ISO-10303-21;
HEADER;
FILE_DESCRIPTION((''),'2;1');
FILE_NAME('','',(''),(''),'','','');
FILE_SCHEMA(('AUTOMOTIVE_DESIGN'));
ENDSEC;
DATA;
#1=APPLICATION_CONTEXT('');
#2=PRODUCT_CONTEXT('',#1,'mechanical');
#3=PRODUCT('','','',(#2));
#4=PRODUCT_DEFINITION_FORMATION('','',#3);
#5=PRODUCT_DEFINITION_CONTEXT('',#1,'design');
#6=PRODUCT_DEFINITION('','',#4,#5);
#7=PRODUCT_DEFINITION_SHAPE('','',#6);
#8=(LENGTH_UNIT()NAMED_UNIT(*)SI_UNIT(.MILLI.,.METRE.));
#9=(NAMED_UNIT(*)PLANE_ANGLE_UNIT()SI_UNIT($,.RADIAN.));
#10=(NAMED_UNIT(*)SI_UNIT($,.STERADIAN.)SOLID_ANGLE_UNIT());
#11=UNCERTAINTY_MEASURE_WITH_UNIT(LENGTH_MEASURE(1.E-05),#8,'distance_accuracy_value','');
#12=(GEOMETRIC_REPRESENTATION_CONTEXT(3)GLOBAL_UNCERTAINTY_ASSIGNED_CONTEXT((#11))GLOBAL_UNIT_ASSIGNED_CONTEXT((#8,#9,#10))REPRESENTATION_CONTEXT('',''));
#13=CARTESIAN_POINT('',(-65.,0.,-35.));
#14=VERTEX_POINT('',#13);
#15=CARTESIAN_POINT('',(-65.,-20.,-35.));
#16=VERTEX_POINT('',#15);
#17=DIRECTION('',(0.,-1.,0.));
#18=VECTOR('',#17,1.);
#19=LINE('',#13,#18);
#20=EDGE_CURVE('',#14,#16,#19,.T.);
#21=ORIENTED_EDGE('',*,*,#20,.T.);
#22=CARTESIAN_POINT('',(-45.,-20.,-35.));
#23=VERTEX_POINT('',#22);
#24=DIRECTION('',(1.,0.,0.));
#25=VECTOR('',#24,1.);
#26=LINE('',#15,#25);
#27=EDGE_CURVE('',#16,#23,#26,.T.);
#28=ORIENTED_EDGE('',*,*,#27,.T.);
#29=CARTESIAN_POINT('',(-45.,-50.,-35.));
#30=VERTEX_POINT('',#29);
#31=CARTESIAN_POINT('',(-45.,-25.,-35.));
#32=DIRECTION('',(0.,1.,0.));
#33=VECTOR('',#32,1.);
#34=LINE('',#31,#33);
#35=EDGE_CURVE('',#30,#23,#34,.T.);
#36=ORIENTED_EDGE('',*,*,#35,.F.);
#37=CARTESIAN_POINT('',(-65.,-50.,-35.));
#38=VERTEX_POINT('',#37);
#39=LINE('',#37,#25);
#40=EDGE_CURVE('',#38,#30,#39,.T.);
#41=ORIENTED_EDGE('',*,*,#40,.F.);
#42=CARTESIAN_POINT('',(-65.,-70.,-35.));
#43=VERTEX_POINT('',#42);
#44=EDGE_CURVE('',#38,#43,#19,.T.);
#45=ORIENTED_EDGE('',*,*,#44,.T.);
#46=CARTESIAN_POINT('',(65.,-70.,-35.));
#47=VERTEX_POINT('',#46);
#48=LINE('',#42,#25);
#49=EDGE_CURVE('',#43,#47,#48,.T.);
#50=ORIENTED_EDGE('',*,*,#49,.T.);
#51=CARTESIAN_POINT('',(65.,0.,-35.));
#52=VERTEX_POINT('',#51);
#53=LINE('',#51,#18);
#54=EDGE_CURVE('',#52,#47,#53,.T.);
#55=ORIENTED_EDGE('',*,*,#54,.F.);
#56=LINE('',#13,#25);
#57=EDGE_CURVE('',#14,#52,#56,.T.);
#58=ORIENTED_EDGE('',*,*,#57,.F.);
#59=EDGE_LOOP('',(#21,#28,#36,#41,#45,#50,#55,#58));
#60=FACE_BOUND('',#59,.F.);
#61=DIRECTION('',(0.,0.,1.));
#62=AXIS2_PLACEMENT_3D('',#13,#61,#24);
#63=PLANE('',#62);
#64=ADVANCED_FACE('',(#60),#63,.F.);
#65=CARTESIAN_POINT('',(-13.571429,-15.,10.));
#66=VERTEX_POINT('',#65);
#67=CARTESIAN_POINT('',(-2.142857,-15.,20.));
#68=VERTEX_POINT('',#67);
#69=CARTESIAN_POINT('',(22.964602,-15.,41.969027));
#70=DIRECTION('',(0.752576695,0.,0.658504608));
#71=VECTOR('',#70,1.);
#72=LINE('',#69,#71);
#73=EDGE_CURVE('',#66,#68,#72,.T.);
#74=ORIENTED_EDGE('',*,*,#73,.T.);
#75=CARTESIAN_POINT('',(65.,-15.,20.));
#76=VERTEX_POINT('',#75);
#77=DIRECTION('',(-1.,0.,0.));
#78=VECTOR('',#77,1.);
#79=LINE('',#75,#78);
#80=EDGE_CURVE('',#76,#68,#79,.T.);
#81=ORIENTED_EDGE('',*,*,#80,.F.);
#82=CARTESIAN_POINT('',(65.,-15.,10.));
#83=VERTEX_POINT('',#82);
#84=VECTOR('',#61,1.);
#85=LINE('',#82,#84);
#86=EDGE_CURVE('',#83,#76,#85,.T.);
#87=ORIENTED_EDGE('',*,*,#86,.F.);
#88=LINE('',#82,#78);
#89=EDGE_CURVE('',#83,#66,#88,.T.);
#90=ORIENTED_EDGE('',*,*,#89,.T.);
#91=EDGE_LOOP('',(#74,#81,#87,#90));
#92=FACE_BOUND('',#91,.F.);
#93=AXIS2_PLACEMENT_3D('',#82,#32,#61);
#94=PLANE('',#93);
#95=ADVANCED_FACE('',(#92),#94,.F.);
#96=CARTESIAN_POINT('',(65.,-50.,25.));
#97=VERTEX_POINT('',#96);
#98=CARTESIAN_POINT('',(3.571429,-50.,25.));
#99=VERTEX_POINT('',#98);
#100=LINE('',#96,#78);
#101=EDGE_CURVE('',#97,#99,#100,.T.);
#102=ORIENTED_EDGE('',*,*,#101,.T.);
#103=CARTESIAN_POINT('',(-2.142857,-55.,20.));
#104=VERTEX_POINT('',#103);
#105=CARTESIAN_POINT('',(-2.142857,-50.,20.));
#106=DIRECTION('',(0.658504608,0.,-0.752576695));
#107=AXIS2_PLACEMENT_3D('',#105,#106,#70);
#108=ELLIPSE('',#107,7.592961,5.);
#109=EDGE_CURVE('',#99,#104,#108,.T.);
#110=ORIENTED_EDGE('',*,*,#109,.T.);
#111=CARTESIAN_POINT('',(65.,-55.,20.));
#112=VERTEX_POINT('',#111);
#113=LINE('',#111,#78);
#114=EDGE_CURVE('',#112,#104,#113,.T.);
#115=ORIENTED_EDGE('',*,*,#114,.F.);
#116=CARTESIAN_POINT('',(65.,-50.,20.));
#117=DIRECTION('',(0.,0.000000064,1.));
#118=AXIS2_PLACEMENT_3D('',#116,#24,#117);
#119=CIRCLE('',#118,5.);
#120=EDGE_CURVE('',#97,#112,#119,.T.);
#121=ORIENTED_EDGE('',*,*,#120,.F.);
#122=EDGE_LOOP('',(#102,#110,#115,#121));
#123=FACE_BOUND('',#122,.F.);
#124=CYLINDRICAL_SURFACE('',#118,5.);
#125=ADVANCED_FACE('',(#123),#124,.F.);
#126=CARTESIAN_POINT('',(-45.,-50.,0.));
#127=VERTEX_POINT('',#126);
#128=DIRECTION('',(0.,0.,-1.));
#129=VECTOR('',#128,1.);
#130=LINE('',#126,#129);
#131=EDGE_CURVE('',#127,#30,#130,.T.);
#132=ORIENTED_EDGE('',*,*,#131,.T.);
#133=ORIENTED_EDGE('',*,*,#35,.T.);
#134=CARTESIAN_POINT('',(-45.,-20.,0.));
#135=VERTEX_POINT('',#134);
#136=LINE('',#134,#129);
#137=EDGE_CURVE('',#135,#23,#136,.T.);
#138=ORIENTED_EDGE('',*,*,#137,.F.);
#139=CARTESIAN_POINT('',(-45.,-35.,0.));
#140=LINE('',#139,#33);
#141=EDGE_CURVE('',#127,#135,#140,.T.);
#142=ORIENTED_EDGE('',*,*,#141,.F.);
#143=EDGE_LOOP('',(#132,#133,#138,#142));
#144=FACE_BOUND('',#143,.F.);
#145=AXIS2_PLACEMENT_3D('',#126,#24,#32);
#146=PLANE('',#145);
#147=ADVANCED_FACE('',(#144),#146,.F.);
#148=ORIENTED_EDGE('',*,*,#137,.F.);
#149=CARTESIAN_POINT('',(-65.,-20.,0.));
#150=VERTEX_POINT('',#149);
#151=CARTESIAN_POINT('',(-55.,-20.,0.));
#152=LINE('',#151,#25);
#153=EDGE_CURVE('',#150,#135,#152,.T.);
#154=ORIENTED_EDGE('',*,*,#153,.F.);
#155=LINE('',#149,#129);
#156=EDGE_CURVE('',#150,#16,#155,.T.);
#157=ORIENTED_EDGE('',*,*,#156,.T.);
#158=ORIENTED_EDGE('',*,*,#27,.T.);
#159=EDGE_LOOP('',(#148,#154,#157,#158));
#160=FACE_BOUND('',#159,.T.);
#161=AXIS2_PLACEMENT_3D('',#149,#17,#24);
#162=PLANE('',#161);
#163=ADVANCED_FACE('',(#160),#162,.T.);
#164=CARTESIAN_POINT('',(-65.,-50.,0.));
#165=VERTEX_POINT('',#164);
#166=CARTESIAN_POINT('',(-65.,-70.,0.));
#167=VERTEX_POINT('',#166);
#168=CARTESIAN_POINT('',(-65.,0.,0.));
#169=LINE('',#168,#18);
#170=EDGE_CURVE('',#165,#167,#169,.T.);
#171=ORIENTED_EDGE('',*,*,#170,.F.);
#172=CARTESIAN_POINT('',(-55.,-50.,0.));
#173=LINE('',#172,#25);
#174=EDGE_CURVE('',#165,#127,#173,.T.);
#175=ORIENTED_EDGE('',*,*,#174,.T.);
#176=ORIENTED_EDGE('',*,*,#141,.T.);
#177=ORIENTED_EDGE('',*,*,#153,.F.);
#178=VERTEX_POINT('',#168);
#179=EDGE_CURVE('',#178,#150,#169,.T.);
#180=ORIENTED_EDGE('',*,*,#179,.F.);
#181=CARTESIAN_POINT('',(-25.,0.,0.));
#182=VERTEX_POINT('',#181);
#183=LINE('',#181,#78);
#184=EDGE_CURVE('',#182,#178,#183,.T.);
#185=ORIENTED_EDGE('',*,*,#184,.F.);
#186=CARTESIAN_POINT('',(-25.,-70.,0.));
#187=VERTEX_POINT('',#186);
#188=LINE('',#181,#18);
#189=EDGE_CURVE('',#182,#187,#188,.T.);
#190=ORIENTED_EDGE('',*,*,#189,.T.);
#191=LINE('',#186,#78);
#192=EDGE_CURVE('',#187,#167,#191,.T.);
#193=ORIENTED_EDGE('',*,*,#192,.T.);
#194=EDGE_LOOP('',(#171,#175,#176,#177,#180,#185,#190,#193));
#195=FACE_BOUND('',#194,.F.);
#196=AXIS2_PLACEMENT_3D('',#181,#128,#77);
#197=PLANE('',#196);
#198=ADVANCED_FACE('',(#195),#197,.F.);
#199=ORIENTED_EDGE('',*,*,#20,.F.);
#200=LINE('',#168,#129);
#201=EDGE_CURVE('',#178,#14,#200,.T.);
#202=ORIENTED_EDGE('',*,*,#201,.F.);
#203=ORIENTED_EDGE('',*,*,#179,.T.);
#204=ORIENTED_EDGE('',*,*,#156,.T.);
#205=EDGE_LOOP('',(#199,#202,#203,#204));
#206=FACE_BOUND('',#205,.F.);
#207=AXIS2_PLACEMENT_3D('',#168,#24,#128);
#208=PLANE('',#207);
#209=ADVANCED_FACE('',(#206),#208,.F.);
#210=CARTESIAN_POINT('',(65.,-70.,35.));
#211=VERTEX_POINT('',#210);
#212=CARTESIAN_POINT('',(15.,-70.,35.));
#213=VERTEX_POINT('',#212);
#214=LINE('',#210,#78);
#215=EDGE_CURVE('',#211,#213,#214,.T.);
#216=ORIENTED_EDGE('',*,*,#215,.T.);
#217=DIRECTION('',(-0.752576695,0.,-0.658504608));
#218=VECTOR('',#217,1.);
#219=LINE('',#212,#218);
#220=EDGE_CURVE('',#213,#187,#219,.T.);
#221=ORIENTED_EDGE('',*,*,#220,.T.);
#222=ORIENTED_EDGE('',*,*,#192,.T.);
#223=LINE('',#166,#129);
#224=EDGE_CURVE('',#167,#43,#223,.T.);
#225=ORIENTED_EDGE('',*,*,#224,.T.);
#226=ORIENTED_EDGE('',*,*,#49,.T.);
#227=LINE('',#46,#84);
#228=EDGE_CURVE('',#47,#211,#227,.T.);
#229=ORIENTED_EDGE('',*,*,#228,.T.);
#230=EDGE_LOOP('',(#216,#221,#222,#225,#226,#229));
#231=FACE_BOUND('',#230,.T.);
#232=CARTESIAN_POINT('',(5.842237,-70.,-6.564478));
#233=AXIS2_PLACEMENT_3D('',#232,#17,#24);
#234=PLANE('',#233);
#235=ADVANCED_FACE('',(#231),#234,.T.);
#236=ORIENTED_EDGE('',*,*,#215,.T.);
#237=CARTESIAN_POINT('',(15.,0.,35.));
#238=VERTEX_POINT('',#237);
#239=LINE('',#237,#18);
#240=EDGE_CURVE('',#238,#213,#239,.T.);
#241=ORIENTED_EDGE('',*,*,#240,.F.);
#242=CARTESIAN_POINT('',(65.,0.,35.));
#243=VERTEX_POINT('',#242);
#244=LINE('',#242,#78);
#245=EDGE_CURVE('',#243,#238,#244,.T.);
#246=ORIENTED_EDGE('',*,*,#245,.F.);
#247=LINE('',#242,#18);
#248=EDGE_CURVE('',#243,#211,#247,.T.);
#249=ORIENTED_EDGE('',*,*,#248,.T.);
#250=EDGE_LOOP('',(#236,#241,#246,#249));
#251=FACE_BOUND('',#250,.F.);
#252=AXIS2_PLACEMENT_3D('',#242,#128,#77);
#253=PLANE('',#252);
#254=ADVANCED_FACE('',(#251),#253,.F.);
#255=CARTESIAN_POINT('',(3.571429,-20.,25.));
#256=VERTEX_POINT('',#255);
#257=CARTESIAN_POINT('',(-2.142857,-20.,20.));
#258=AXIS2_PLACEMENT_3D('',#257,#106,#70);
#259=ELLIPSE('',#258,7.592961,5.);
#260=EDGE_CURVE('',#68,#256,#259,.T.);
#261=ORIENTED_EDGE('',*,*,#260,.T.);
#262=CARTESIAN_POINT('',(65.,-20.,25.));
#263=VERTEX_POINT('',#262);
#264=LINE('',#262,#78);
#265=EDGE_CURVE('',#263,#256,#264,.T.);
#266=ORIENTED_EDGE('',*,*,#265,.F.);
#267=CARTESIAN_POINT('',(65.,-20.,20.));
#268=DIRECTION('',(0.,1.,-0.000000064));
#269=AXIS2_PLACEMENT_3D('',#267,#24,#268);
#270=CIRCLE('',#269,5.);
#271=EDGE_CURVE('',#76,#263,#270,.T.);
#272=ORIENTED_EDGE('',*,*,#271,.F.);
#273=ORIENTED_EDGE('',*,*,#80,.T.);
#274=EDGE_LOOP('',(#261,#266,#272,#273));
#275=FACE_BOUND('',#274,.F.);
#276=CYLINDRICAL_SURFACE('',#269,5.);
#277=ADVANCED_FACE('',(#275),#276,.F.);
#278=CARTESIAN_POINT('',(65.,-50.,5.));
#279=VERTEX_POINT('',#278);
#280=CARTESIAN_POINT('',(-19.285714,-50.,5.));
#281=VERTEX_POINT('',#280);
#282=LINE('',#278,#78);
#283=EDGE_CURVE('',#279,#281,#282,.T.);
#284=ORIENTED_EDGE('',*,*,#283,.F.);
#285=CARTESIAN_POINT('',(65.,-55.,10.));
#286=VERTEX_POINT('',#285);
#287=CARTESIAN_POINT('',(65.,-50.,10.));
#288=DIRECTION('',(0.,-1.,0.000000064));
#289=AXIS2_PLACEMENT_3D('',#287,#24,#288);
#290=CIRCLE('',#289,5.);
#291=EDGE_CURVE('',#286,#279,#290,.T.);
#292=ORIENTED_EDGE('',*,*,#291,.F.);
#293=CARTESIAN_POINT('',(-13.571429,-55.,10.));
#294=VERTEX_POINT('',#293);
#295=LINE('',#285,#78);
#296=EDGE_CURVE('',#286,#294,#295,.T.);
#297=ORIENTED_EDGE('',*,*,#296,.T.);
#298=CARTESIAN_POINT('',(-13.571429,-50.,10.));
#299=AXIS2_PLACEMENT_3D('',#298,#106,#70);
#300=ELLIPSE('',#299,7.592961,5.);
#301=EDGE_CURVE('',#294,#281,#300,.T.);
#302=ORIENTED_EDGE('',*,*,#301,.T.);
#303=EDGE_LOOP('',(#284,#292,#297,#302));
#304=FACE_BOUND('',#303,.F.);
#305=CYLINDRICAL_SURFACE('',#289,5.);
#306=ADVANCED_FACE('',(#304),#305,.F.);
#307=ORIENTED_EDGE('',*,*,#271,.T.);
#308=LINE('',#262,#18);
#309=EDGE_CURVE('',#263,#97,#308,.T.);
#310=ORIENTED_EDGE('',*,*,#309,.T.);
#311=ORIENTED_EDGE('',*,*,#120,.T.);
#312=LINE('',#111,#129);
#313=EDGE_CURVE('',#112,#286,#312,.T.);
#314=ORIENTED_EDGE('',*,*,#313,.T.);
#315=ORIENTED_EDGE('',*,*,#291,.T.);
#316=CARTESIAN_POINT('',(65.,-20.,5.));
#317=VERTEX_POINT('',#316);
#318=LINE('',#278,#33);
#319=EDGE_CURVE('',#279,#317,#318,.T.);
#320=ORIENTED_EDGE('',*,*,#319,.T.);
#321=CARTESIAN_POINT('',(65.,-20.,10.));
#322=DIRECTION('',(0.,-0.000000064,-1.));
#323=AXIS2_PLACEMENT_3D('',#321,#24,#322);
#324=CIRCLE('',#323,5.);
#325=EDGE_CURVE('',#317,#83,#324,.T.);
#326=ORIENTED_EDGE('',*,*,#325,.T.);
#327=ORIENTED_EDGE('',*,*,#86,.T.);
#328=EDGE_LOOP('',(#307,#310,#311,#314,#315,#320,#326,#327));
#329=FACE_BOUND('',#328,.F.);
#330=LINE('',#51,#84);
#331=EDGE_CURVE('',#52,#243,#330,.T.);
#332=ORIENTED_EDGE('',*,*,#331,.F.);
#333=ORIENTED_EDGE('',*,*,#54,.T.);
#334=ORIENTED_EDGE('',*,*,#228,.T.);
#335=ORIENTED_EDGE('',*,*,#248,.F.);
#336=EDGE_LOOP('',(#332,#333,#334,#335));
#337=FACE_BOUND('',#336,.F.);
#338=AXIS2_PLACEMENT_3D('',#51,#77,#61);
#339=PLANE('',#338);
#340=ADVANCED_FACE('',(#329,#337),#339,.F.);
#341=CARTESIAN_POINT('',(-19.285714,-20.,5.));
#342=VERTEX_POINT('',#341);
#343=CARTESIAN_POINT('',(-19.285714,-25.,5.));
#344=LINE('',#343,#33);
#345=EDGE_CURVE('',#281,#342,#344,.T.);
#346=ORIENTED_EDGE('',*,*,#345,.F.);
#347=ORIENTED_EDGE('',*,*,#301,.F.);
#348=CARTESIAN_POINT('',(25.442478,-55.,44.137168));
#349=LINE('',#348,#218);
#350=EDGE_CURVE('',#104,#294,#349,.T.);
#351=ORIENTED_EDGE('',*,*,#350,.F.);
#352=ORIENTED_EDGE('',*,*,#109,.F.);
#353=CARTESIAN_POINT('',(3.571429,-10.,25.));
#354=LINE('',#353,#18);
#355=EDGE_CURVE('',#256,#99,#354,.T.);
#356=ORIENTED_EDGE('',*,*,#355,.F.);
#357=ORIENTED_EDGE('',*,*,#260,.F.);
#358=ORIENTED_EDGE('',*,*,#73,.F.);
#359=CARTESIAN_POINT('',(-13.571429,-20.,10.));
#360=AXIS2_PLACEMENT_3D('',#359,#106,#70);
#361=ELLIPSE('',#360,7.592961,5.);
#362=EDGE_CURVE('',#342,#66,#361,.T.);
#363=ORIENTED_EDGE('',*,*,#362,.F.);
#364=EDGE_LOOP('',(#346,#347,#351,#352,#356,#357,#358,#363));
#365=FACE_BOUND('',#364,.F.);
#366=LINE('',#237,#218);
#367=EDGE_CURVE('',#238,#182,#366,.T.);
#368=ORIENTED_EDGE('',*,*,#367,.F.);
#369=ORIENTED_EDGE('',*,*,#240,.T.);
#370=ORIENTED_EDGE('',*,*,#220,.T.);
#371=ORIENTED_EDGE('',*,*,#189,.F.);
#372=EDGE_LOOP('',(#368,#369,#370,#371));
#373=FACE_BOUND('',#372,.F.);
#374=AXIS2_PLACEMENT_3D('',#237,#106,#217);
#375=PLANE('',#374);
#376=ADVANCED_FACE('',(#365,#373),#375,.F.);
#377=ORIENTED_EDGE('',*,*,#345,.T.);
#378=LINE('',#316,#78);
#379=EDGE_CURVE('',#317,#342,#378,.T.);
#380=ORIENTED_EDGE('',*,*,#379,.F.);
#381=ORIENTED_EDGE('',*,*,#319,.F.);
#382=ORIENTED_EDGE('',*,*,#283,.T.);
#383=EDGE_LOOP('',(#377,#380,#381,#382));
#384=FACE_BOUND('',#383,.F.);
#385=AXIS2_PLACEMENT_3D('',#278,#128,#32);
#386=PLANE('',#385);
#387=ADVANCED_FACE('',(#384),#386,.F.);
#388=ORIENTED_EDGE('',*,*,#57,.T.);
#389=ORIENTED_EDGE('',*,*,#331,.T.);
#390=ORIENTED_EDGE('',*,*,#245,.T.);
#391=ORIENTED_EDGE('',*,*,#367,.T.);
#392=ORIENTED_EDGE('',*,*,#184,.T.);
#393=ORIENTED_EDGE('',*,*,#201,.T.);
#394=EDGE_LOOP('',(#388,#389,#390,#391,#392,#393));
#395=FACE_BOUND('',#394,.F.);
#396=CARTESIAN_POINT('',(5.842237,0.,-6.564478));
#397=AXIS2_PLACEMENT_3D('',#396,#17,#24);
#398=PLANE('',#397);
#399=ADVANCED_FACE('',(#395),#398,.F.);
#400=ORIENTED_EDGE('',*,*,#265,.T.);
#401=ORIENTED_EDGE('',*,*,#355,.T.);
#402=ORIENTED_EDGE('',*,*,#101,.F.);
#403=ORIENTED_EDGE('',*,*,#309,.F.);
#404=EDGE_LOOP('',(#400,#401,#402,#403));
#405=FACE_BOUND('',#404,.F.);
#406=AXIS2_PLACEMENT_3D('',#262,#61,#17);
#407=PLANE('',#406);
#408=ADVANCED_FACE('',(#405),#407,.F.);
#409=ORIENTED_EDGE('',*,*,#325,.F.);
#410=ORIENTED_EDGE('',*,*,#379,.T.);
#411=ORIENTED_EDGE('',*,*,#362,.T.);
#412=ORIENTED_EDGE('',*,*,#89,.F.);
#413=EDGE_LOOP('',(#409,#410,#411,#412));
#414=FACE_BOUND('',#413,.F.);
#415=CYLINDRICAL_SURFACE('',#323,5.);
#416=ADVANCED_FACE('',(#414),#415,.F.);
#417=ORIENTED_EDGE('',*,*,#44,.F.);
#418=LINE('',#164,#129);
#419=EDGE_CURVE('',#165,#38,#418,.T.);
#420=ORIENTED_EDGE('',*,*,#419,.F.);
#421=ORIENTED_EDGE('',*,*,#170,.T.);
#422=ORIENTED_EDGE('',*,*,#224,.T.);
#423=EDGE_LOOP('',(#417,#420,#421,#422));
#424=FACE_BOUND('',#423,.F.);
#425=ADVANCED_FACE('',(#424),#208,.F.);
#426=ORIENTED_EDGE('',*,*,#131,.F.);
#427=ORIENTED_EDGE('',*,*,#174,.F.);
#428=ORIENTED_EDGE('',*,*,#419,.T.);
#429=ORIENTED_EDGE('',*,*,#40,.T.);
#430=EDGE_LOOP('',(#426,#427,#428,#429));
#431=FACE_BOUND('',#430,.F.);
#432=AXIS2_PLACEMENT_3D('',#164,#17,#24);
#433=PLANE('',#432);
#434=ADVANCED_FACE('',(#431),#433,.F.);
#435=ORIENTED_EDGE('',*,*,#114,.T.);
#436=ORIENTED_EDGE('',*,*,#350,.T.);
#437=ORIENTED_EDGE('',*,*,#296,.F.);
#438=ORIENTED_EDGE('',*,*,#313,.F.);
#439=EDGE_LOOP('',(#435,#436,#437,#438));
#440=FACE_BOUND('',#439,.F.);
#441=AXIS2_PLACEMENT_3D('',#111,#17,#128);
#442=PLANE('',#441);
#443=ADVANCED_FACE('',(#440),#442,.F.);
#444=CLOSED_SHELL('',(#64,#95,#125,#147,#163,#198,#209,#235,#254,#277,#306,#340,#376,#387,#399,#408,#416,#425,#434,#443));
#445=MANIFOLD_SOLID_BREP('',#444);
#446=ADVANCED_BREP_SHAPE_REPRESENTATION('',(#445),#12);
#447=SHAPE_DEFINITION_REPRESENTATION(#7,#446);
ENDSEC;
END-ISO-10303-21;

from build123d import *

# Parameters (mm, degrees)
F1_DEPTH = 70
F2_W     = 20
F2_H     = 30
F3_DEPTH = 35.001
F5_DEPTH = 130.001


with BuildPart() as f1:
    # F0 (on Front) → F1 (new body)
    with BuildSketch(Plane.XZ):
        Polygon((-65, 0), (-65, -35), (65, -35), (65, 35), (15, 35), (-25, 0), align=None)
    extrude(amount=F1_DEPTH)

    # F2 (on face) → F3 (cut, through all)
    with BuildSketch(Plane.XY):
        with Locations((-55, -35)):
            Rectangle(F2_W, F2_H)
    extrude(amount=-F3_DEPTH, mode=Mode.SUBTRACT)

    # F4 (on face) → F5 (cut, through all)
    with BuildSketch(Plane.YZ.offset(65)):
        with BuildLine():
            ThreePointArc((-55, 10), (-53.535534, 6.464466), (-50, 5))
            Line((-50, 5), (-20, 5))
            ThreePointArc((-20, 5), (-16.464466, 6.464466), (-15, 10))
            Line((-15, 10), (-15, 20))
            ThreePointArc((-15, 20), (-16.464466, 23.535534), (-20, 25))
            Line((-20, 25), (-50, 25))
            ThreePointArc((-50, 25), (-53.535534, 23.535534), (-55, 20))
            Line((-55, 20), (-55, 10))
        make_face()
    extrude(amount=-F5_DEPTH, mode=Mode.SUBTRACT)


solid = f1.part
